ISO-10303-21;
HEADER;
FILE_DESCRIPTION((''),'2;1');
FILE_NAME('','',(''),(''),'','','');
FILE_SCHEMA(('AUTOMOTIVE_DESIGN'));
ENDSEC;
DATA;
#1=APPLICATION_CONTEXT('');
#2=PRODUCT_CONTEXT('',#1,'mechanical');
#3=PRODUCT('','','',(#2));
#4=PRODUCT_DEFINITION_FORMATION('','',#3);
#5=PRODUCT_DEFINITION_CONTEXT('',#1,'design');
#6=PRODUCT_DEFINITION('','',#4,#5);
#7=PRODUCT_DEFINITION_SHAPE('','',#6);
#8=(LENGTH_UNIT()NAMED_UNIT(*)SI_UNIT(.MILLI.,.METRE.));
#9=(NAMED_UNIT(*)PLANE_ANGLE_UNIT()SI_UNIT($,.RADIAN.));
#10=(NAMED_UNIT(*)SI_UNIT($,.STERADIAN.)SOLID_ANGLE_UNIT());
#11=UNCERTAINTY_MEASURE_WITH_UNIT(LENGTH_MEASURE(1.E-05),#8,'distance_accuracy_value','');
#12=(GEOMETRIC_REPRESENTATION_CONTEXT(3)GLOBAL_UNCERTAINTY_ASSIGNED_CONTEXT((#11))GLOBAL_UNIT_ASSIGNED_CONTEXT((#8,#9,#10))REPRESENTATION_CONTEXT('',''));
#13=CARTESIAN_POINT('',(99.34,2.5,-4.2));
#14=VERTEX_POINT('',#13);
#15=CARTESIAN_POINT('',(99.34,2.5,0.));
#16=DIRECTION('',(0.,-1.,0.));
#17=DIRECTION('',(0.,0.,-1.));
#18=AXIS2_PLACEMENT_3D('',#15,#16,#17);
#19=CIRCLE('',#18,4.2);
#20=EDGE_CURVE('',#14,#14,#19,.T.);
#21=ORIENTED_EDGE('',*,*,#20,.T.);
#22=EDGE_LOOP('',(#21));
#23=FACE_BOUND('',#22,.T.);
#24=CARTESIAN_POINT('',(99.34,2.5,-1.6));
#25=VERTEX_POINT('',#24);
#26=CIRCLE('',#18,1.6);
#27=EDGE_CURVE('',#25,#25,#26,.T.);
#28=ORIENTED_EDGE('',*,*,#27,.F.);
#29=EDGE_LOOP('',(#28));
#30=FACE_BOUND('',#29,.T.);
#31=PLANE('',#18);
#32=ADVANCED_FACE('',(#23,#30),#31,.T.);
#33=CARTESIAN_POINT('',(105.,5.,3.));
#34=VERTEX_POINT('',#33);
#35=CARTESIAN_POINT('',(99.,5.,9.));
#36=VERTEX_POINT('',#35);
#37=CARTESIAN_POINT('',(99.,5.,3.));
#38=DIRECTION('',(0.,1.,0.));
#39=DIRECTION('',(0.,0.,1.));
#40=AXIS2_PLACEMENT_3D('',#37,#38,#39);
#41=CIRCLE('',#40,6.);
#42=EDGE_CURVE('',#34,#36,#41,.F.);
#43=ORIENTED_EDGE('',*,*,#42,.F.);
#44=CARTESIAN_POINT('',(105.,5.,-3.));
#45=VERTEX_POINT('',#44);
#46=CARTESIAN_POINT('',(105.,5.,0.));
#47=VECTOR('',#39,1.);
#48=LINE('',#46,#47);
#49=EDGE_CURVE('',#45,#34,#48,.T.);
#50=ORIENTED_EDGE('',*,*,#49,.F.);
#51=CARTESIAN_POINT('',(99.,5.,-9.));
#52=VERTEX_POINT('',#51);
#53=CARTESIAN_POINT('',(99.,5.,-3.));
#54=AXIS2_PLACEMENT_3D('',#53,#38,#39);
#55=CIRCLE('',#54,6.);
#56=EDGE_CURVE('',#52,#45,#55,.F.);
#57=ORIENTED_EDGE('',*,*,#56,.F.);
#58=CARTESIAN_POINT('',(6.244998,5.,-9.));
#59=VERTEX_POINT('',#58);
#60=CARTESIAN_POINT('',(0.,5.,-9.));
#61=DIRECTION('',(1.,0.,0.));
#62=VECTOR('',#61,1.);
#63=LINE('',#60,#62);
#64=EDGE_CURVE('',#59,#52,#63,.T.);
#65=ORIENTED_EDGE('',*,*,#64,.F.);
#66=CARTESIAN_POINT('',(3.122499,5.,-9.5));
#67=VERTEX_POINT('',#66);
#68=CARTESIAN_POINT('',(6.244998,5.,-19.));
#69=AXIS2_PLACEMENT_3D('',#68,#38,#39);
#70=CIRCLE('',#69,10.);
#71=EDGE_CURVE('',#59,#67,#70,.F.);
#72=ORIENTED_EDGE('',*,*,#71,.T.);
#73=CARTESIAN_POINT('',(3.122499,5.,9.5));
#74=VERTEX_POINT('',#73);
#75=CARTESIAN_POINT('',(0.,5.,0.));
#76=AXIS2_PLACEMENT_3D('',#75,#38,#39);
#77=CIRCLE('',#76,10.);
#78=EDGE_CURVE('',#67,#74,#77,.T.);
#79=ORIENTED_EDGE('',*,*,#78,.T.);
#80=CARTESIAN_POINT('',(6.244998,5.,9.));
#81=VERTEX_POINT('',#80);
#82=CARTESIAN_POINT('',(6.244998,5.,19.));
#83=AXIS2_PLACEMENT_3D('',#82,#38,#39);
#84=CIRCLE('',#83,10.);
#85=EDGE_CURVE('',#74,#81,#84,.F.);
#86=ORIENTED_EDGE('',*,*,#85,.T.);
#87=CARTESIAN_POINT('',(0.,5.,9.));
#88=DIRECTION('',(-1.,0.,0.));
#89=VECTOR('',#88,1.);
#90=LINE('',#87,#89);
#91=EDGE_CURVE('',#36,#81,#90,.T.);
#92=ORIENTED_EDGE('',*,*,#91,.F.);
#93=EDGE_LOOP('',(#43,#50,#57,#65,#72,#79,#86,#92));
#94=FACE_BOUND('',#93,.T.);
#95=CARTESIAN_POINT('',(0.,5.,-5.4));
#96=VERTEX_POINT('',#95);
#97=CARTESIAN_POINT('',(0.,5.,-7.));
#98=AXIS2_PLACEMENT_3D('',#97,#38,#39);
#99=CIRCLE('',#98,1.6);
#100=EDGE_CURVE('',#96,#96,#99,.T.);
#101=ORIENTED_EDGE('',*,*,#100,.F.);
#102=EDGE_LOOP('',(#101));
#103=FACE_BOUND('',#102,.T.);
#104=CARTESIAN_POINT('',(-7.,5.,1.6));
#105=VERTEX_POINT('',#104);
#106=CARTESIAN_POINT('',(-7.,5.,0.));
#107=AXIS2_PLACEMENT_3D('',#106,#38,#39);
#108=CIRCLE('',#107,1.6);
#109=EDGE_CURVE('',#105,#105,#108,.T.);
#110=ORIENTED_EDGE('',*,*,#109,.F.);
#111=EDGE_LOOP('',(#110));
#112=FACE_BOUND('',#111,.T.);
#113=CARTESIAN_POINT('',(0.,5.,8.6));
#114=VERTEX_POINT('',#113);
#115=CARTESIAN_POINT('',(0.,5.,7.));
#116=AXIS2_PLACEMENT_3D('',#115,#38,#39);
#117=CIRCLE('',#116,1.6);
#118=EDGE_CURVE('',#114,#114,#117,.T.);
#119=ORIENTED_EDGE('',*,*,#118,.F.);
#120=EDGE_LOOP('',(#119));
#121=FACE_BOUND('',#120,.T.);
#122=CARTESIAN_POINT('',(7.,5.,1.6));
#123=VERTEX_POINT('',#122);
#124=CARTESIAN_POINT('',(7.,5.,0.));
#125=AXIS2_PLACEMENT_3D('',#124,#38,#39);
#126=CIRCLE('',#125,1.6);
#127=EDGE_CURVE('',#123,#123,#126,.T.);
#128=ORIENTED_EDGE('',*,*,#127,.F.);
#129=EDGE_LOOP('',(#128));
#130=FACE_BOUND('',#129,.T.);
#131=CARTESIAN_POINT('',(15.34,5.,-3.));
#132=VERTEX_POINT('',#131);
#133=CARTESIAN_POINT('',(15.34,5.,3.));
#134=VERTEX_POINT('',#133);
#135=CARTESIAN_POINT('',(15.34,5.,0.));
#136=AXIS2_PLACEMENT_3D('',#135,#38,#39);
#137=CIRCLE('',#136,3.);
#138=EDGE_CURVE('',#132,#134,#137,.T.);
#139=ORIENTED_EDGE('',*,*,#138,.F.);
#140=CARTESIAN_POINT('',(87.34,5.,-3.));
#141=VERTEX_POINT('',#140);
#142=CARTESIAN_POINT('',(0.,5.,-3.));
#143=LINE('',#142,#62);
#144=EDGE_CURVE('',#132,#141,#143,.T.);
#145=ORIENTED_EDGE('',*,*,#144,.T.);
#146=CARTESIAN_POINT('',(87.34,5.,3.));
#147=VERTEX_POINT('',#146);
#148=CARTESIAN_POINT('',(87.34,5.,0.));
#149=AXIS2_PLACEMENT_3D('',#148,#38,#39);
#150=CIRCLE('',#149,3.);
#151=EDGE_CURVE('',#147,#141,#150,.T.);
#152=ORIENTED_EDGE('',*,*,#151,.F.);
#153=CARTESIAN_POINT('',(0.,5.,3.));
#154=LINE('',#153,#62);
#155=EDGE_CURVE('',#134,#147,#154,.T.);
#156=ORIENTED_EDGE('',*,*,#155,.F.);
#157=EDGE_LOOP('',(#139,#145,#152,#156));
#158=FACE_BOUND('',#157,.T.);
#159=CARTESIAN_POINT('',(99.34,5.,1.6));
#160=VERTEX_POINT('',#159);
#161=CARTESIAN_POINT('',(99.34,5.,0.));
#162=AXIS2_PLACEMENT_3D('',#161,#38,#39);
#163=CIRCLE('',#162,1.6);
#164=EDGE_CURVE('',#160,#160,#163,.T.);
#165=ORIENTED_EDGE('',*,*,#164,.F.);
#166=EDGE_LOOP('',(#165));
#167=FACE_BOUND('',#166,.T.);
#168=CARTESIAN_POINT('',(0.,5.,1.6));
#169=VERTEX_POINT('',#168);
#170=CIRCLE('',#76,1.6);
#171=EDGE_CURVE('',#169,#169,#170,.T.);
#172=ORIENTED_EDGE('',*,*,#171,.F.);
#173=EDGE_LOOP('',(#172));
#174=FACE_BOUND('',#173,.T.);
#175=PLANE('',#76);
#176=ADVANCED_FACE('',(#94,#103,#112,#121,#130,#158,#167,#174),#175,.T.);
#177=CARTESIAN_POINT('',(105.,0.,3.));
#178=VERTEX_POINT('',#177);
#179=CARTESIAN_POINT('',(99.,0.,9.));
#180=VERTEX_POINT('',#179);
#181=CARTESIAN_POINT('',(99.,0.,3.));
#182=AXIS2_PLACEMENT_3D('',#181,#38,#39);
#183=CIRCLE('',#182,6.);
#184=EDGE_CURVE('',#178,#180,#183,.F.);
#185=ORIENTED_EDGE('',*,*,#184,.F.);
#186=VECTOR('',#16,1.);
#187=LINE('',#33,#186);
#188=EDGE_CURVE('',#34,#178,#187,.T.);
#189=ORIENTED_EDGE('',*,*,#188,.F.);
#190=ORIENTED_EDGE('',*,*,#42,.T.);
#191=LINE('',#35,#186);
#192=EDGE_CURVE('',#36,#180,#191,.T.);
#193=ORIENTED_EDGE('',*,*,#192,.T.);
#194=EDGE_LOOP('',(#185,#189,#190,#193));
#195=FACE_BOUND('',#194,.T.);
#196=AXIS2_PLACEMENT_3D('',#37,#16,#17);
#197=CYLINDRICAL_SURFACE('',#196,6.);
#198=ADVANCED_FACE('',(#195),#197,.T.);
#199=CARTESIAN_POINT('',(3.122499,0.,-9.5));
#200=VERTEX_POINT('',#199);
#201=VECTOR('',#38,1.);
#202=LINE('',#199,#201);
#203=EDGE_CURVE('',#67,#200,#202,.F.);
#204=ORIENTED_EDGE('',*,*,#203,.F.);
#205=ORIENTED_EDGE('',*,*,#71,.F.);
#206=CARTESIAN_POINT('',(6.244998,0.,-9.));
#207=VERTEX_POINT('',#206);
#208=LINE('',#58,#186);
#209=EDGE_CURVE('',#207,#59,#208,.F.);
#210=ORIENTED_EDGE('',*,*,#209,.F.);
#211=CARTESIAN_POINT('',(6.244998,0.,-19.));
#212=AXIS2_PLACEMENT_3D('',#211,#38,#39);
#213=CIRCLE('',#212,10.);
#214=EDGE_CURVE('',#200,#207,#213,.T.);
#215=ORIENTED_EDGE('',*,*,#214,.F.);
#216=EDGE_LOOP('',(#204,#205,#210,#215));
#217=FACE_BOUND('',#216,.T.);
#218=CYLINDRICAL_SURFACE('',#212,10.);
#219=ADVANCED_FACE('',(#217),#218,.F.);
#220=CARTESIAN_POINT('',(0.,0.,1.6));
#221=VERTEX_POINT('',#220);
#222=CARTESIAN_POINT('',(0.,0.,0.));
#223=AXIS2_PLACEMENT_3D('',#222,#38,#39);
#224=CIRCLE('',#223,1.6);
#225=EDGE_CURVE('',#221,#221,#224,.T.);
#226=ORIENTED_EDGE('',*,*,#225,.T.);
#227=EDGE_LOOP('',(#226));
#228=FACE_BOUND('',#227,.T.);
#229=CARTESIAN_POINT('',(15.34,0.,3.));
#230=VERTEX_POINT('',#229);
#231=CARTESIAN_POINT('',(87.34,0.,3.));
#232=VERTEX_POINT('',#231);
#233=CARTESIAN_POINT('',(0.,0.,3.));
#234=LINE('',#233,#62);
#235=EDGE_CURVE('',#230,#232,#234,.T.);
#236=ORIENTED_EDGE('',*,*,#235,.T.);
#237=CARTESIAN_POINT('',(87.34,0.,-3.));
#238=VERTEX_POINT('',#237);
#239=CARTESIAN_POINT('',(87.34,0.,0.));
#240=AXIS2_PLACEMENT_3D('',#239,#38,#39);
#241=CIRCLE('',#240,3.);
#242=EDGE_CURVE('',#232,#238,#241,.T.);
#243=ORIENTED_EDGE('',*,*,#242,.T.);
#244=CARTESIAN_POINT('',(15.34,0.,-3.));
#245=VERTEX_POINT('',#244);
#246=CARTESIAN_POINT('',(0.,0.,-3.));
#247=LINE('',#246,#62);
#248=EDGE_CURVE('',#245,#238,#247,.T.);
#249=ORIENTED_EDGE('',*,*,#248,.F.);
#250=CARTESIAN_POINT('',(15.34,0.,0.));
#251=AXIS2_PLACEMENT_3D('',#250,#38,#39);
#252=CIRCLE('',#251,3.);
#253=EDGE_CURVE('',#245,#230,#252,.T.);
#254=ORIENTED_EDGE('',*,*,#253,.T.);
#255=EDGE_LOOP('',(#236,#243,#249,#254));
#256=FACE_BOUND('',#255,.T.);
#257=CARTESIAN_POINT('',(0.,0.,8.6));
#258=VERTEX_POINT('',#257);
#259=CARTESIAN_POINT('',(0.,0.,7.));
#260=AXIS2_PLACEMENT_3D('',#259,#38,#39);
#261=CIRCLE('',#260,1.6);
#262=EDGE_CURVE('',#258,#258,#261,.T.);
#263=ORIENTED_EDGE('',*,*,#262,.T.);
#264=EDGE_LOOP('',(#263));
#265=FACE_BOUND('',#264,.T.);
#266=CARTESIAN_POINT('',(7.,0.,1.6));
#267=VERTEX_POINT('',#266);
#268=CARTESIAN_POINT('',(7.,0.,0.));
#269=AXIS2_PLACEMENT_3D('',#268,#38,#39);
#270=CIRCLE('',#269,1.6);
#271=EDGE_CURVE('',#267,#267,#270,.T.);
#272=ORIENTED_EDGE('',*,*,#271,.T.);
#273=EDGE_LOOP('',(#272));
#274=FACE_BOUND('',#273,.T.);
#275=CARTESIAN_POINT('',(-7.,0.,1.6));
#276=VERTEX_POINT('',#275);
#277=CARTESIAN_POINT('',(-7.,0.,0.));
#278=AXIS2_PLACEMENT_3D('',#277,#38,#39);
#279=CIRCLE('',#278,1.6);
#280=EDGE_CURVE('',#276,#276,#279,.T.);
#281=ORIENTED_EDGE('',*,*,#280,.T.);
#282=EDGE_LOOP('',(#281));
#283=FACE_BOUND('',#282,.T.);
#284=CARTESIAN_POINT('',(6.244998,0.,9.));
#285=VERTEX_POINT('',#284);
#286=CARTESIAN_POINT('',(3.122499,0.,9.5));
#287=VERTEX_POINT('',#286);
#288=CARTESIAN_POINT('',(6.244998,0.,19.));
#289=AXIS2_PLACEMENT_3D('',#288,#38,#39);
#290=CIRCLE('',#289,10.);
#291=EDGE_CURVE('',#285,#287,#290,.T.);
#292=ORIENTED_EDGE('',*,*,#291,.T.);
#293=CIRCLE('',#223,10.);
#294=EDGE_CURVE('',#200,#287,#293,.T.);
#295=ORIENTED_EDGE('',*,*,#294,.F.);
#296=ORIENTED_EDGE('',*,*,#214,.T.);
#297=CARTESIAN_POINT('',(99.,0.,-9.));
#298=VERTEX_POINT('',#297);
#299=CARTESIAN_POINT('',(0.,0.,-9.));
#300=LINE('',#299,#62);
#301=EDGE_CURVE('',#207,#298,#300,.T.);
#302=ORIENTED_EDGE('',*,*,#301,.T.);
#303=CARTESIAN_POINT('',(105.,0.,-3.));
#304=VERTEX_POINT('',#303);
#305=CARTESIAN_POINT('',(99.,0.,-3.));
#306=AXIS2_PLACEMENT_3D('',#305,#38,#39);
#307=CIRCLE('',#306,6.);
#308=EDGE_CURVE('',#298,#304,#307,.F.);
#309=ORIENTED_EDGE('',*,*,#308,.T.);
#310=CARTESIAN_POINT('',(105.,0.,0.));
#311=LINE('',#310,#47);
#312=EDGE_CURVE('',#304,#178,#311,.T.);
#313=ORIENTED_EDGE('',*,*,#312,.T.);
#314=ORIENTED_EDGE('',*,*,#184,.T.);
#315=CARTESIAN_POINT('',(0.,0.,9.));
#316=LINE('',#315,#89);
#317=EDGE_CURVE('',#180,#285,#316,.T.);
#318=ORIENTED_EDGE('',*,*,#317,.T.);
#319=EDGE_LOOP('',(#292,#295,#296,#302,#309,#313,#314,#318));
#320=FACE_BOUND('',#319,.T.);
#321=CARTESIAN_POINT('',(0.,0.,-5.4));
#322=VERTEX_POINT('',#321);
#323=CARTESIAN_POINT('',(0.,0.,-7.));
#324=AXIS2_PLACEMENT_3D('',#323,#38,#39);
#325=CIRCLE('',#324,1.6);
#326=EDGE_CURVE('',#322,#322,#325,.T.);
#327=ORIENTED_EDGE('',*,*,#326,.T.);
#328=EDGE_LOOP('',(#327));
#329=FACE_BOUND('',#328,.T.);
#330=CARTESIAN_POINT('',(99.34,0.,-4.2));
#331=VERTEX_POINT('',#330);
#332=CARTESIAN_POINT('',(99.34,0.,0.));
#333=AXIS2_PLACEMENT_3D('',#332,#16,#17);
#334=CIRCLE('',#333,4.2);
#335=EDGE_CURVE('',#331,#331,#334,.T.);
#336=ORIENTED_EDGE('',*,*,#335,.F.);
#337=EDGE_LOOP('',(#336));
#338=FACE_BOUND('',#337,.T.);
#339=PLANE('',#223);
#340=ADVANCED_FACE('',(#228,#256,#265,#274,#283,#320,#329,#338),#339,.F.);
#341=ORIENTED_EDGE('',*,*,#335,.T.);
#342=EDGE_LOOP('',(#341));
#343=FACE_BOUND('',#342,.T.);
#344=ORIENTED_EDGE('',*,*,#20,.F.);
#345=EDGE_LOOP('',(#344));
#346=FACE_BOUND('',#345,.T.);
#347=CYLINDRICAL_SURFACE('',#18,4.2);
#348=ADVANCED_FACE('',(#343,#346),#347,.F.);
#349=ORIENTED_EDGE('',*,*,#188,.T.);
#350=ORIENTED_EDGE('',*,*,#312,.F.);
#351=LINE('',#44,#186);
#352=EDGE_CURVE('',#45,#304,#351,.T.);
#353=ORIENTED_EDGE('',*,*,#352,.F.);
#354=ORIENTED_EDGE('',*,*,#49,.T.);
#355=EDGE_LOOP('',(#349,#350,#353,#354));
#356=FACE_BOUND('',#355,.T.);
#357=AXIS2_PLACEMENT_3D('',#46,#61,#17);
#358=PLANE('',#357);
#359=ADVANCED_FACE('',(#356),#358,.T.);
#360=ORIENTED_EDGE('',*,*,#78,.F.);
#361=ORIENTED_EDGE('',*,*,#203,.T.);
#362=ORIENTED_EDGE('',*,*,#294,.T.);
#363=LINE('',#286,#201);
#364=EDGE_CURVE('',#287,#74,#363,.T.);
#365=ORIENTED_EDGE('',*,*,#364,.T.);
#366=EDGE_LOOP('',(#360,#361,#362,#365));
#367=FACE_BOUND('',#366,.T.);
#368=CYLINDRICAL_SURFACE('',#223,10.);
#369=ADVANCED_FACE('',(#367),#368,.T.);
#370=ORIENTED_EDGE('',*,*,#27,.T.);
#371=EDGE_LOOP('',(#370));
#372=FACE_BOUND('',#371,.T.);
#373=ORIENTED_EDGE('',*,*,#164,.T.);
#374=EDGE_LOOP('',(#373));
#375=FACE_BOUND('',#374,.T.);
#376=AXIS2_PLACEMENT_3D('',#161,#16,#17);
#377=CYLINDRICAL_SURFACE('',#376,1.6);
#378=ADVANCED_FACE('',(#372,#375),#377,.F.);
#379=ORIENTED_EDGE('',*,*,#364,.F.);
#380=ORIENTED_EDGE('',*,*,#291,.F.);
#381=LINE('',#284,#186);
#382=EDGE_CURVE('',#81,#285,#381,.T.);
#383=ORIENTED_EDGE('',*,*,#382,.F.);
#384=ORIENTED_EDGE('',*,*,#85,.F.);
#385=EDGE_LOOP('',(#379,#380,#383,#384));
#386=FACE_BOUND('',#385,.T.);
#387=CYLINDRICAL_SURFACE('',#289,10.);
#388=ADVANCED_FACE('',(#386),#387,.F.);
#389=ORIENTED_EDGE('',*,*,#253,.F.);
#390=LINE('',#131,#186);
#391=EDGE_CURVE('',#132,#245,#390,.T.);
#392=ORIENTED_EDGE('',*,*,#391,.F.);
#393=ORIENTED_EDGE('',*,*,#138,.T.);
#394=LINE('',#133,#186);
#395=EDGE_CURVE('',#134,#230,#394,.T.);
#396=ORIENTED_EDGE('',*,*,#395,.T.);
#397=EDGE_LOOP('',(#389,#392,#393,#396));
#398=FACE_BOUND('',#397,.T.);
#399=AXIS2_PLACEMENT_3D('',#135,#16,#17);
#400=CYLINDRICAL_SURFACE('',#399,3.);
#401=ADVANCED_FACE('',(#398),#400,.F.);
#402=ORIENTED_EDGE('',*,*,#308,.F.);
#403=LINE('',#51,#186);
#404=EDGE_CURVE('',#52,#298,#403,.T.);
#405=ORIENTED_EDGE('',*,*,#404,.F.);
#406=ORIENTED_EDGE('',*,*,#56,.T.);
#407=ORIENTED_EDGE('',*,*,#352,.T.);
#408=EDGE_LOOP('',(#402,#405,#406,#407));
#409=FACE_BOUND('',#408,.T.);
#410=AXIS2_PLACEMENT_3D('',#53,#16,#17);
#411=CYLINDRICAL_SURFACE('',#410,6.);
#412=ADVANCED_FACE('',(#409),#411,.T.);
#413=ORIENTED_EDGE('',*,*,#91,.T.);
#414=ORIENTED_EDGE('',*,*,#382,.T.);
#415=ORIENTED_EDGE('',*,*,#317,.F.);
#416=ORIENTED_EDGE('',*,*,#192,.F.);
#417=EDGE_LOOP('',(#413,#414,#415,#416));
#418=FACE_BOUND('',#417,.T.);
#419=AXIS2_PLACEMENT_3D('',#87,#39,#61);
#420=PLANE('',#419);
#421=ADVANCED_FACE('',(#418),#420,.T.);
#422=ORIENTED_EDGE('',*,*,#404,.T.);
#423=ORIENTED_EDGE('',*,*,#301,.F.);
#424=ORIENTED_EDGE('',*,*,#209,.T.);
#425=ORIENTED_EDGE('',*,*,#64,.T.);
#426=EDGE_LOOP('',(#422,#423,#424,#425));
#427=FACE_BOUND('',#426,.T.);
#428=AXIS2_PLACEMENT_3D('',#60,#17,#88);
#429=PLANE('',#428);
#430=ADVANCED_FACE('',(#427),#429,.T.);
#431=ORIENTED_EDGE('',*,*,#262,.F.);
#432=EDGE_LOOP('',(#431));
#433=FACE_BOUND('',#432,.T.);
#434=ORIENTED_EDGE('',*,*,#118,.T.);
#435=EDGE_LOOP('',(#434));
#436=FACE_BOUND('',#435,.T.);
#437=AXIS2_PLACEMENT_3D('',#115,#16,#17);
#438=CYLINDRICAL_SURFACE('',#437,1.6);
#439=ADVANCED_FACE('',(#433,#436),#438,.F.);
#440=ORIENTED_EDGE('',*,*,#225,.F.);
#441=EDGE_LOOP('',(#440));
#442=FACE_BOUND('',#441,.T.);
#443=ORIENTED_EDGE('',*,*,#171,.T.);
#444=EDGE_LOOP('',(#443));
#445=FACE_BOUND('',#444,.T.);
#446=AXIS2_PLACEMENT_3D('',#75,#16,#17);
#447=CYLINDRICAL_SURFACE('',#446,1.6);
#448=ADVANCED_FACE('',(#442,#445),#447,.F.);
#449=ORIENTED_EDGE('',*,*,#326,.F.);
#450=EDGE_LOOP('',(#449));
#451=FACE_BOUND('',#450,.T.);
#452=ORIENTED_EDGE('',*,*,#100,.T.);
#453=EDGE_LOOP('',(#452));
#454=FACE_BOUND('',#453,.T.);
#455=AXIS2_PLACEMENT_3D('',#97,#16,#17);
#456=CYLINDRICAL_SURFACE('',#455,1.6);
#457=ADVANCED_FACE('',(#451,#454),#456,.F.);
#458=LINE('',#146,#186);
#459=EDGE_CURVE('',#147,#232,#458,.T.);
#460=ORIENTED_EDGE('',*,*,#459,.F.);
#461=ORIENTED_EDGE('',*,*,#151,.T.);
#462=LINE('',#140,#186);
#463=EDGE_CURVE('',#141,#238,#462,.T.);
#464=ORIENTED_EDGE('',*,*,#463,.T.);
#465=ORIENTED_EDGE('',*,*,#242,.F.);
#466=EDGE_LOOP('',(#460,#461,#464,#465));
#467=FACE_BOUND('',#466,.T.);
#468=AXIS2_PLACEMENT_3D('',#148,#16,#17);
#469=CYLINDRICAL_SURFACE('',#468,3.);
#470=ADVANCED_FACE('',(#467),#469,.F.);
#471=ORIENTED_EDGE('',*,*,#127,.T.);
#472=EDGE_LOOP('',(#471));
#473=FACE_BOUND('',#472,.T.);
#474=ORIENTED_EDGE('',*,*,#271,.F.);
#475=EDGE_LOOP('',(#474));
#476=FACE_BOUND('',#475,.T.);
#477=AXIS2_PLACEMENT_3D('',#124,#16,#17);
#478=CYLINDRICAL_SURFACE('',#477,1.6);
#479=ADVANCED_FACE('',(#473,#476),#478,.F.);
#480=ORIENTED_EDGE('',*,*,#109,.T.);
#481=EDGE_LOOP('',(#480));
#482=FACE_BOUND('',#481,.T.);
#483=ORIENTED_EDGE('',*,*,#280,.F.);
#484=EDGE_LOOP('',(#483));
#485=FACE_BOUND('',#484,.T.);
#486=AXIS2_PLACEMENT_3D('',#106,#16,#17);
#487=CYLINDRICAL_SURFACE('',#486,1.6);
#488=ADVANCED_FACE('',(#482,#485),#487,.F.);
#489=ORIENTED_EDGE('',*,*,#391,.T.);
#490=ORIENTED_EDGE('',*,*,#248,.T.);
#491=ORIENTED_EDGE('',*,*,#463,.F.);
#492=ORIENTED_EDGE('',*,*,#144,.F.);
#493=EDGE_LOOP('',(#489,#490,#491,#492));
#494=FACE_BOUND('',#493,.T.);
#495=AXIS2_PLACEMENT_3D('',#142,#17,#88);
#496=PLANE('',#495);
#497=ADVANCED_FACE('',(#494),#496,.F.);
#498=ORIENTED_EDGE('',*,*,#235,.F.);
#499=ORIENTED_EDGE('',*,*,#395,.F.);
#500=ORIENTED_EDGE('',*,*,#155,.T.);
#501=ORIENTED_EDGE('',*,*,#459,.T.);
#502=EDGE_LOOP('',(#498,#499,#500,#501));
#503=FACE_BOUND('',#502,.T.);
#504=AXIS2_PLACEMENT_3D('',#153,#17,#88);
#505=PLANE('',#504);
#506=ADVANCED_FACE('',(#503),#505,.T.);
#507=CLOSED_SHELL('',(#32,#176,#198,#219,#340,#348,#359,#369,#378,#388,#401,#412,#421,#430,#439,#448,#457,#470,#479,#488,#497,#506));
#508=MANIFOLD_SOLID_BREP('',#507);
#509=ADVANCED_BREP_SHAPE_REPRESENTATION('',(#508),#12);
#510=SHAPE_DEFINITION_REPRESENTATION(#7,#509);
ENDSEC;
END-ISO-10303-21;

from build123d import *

# Parameters (mm, degrees)
SKETCH_1_R          = 1.6
SKETCH_1_R_2        = 9
EXTRUDE_1_DEPTH     = 5
SKETCH_2_R          = 4.2
CUT_EXTRUDE_1_DEPTH = 2.5
EXTRUDE_START       = -5
SKETCH_3_R          = 10
SKETCH_3_R_2        = 9
EXTRUDE_2_DEPTH     = 5
FILLET_1_R          = 10


with BuildPart() as part:
    # 草图1 → 凸台-拉伸1 (new body)
    # profile 1 of 2: a face of its own
    with BuildSketch(Plane(origin=(0, 0, 0), x_dir=(1, 0, 0), z_dir=(0, 1, 0))):
        with BuildLine():
            Line((99, 9), (0, 9))
            ThreePointArc((0, 9), (6.363961031, 6.363961031), (9, 0))
            ThreePointArc((9, 0), (6.363961031, -6.363961031), (0, -9))
            Line((0, -9), (99, -9))
            ThreePointArc((99, -9), (103.242640687, -7.242640687), (105, -3))
            Line((105, -3), (105, 3))
            ThreePointArc((105, 3), (103.242640687, 7.242640687), (99, 9))
        make_face()
        with BuildLine():
            ThreePointArc((15.34, -3), (12.34, 0), (15.34, 3))
            Line((15.34, 3), (87.34, 3))
            ThreePointArc((87.34, 3), (90.34, 0), (87.34, -3))
            Line((87.34, -3), (15.34, -3))
        make_face(mode=Mode.SUBTRACT)
        with Locations(Location((99.34, 0, 0), (0, 0, 270))):
            Circle(SKETCH_1_R, mode=Mode.SUBTRACT)
    # profile 2 of 2: a face of its own
    with BuildSketch(Plane(origin=(0, 0, 0), x_dir=(1, 0, 0), z_dir=(0, 1, 0))):
        Circle(SKETCH_1_R_2)
        with Locations(Location((0, -7, 0), (0, 0, 270))):
            Circle(SKETCH_1_R, mode=Mode.SUBTRACT)
        with Locations(Location((7, 0, 0), (0, 0, 270))):
            Circle(SKETCH_1_R, mode=Mode.SUBTRACT)
        with Locations(Location((0, 7, 0), (0, 0, 270))):
            Circle(SKETCH_1_R, mode=Mode.SUBTRACT)
        with Locations(Location((-7, 0, 0), (0, 0, 270))):
            Circle(SKETCH_1_R, mode=Mode.SUBTRACT)
        with Locations(Location((0, 0, 0), (0, 0, 270))):
            Circle(SKETCH_1_R, mode=Mode.SUBTRACT)
    extrude(amount=EXTRUDE_1_DEPTH)

    # 草图2 → 切除-拉伸1 (cut)
    with BuildSketch(Plane.XZ):
        with Locations(Location((99.34, 0, 0), (0, 0, 270))):
            Circle(SKETCH_2_R)
    extrude(amount=-CUT_EXTRUDE_1_DEPTH, mode=Mode.SUBTRACT)

    # 草图3 → 凸台-拉伸2 (add)
    with BuildSketch(Plane(origin=(0, 5, 0), x_dir=(1, 0, 0), z_dir=(0, 1, 0)).offset(EXTRUDE_START)):
        Circle(SKETCH_3_R)
        Circle(SKETCH_3_R_2, mode=Mode.SUBTRACT)
    extrude(amount=EXTRUDE_2_DEPTH)

    # 圆角1
    fillet_1_edges = [part.edges().sort_by_distance(p)[0] for p in [
        (4.358898944, 2.5, -9),
        (4.358898944, 2.5, 9),
    ]]
    fillet(fillet_1_edges, radius=FILLET_1_R)


solid = part.part
